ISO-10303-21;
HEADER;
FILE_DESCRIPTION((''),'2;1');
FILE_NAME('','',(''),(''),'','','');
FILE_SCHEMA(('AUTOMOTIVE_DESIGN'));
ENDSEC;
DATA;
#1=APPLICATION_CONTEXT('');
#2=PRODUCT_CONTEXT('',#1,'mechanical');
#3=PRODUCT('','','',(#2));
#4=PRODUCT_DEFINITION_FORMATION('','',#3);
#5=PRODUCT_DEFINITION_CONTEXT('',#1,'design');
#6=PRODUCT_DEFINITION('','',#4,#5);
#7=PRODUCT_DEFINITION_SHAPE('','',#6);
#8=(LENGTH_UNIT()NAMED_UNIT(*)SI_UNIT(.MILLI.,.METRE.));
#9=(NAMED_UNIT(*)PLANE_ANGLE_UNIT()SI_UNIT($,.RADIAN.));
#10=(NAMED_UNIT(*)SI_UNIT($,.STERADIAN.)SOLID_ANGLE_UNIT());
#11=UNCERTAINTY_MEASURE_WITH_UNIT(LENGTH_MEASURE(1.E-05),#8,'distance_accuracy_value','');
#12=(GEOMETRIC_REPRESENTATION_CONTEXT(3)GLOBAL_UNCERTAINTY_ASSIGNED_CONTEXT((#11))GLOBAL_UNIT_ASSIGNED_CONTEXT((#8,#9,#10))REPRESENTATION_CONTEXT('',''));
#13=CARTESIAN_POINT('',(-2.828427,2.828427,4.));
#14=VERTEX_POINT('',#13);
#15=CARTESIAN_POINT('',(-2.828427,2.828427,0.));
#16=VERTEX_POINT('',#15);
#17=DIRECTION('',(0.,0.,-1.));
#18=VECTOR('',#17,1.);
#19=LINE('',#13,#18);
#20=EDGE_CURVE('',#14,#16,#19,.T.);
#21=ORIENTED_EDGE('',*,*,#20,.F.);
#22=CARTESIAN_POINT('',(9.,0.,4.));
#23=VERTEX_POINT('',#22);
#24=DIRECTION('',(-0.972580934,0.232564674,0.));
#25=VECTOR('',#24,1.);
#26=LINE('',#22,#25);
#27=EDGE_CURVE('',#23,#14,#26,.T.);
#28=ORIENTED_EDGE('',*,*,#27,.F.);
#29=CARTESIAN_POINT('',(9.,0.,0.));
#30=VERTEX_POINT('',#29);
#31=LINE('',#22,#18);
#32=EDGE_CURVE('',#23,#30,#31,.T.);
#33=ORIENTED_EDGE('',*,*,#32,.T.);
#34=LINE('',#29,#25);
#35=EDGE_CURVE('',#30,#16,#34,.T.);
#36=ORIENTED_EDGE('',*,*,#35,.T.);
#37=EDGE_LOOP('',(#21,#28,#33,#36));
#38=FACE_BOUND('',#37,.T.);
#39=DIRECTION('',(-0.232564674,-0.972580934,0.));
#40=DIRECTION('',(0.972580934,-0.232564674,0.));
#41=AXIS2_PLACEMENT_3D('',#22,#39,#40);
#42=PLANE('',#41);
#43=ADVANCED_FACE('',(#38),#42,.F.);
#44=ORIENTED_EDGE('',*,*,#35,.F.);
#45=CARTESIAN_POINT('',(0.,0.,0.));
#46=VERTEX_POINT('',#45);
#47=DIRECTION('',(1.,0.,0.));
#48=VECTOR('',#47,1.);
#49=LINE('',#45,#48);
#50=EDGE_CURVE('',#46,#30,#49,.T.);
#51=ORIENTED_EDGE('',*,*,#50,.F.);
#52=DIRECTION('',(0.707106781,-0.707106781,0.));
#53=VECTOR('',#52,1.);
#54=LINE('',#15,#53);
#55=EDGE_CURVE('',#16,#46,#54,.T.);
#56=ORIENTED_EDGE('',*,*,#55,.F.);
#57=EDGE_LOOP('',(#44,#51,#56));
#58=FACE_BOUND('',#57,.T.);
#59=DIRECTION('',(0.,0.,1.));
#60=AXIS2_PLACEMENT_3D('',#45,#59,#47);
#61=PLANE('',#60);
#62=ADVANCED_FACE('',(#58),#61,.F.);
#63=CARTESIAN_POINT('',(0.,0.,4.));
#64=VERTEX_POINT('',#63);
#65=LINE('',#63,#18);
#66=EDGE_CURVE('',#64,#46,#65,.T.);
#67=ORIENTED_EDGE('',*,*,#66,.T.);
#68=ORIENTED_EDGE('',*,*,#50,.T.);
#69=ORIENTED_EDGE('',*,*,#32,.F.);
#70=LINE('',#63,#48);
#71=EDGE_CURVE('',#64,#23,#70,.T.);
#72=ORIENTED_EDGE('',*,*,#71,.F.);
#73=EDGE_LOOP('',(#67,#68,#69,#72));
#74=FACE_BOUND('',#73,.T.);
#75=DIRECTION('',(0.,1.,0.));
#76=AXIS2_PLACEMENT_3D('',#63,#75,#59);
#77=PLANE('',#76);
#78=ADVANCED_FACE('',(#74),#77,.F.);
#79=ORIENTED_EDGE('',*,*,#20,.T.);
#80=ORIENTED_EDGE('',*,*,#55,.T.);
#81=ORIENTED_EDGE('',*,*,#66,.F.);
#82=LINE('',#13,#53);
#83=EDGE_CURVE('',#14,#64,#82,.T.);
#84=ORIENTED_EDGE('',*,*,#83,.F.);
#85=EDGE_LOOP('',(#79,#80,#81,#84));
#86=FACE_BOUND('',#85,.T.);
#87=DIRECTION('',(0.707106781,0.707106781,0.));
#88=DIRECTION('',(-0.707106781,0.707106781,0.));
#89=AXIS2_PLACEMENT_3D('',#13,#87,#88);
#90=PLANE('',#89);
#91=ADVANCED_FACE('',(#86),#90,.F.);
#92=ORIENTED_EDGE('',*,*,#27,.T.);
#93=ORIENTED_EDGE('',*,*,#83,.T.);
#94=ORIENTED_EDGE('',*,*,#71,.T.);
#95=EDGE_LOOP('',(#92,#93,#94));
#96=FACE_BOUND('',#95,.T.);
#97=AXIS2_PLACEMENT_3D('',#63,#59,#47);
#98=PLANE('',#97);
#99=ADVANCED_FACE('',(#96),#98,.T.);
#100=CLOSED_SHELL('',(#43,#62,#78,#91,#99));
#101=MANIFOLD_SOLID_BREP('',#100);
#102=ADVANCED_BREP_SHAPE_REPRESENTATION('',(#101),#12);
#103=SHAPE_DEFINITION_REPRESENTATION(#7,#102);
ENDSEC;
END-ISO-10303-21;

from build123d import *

# Parameters (mm, degrees)
BOSS_EXTRUDE1_DEPTH = 4


with BuildPart() as part:
    # Sketch1 → Boss-Extrude1 (new body)
    with BuildSketch(Plane.XY):
        Polygon((0, 0), (9, 0), (-2.828427125, 2.828427125), align=None)
    extrude(amount=BOSS_EXTRUDE1_DEPTH)


solid = part.part
